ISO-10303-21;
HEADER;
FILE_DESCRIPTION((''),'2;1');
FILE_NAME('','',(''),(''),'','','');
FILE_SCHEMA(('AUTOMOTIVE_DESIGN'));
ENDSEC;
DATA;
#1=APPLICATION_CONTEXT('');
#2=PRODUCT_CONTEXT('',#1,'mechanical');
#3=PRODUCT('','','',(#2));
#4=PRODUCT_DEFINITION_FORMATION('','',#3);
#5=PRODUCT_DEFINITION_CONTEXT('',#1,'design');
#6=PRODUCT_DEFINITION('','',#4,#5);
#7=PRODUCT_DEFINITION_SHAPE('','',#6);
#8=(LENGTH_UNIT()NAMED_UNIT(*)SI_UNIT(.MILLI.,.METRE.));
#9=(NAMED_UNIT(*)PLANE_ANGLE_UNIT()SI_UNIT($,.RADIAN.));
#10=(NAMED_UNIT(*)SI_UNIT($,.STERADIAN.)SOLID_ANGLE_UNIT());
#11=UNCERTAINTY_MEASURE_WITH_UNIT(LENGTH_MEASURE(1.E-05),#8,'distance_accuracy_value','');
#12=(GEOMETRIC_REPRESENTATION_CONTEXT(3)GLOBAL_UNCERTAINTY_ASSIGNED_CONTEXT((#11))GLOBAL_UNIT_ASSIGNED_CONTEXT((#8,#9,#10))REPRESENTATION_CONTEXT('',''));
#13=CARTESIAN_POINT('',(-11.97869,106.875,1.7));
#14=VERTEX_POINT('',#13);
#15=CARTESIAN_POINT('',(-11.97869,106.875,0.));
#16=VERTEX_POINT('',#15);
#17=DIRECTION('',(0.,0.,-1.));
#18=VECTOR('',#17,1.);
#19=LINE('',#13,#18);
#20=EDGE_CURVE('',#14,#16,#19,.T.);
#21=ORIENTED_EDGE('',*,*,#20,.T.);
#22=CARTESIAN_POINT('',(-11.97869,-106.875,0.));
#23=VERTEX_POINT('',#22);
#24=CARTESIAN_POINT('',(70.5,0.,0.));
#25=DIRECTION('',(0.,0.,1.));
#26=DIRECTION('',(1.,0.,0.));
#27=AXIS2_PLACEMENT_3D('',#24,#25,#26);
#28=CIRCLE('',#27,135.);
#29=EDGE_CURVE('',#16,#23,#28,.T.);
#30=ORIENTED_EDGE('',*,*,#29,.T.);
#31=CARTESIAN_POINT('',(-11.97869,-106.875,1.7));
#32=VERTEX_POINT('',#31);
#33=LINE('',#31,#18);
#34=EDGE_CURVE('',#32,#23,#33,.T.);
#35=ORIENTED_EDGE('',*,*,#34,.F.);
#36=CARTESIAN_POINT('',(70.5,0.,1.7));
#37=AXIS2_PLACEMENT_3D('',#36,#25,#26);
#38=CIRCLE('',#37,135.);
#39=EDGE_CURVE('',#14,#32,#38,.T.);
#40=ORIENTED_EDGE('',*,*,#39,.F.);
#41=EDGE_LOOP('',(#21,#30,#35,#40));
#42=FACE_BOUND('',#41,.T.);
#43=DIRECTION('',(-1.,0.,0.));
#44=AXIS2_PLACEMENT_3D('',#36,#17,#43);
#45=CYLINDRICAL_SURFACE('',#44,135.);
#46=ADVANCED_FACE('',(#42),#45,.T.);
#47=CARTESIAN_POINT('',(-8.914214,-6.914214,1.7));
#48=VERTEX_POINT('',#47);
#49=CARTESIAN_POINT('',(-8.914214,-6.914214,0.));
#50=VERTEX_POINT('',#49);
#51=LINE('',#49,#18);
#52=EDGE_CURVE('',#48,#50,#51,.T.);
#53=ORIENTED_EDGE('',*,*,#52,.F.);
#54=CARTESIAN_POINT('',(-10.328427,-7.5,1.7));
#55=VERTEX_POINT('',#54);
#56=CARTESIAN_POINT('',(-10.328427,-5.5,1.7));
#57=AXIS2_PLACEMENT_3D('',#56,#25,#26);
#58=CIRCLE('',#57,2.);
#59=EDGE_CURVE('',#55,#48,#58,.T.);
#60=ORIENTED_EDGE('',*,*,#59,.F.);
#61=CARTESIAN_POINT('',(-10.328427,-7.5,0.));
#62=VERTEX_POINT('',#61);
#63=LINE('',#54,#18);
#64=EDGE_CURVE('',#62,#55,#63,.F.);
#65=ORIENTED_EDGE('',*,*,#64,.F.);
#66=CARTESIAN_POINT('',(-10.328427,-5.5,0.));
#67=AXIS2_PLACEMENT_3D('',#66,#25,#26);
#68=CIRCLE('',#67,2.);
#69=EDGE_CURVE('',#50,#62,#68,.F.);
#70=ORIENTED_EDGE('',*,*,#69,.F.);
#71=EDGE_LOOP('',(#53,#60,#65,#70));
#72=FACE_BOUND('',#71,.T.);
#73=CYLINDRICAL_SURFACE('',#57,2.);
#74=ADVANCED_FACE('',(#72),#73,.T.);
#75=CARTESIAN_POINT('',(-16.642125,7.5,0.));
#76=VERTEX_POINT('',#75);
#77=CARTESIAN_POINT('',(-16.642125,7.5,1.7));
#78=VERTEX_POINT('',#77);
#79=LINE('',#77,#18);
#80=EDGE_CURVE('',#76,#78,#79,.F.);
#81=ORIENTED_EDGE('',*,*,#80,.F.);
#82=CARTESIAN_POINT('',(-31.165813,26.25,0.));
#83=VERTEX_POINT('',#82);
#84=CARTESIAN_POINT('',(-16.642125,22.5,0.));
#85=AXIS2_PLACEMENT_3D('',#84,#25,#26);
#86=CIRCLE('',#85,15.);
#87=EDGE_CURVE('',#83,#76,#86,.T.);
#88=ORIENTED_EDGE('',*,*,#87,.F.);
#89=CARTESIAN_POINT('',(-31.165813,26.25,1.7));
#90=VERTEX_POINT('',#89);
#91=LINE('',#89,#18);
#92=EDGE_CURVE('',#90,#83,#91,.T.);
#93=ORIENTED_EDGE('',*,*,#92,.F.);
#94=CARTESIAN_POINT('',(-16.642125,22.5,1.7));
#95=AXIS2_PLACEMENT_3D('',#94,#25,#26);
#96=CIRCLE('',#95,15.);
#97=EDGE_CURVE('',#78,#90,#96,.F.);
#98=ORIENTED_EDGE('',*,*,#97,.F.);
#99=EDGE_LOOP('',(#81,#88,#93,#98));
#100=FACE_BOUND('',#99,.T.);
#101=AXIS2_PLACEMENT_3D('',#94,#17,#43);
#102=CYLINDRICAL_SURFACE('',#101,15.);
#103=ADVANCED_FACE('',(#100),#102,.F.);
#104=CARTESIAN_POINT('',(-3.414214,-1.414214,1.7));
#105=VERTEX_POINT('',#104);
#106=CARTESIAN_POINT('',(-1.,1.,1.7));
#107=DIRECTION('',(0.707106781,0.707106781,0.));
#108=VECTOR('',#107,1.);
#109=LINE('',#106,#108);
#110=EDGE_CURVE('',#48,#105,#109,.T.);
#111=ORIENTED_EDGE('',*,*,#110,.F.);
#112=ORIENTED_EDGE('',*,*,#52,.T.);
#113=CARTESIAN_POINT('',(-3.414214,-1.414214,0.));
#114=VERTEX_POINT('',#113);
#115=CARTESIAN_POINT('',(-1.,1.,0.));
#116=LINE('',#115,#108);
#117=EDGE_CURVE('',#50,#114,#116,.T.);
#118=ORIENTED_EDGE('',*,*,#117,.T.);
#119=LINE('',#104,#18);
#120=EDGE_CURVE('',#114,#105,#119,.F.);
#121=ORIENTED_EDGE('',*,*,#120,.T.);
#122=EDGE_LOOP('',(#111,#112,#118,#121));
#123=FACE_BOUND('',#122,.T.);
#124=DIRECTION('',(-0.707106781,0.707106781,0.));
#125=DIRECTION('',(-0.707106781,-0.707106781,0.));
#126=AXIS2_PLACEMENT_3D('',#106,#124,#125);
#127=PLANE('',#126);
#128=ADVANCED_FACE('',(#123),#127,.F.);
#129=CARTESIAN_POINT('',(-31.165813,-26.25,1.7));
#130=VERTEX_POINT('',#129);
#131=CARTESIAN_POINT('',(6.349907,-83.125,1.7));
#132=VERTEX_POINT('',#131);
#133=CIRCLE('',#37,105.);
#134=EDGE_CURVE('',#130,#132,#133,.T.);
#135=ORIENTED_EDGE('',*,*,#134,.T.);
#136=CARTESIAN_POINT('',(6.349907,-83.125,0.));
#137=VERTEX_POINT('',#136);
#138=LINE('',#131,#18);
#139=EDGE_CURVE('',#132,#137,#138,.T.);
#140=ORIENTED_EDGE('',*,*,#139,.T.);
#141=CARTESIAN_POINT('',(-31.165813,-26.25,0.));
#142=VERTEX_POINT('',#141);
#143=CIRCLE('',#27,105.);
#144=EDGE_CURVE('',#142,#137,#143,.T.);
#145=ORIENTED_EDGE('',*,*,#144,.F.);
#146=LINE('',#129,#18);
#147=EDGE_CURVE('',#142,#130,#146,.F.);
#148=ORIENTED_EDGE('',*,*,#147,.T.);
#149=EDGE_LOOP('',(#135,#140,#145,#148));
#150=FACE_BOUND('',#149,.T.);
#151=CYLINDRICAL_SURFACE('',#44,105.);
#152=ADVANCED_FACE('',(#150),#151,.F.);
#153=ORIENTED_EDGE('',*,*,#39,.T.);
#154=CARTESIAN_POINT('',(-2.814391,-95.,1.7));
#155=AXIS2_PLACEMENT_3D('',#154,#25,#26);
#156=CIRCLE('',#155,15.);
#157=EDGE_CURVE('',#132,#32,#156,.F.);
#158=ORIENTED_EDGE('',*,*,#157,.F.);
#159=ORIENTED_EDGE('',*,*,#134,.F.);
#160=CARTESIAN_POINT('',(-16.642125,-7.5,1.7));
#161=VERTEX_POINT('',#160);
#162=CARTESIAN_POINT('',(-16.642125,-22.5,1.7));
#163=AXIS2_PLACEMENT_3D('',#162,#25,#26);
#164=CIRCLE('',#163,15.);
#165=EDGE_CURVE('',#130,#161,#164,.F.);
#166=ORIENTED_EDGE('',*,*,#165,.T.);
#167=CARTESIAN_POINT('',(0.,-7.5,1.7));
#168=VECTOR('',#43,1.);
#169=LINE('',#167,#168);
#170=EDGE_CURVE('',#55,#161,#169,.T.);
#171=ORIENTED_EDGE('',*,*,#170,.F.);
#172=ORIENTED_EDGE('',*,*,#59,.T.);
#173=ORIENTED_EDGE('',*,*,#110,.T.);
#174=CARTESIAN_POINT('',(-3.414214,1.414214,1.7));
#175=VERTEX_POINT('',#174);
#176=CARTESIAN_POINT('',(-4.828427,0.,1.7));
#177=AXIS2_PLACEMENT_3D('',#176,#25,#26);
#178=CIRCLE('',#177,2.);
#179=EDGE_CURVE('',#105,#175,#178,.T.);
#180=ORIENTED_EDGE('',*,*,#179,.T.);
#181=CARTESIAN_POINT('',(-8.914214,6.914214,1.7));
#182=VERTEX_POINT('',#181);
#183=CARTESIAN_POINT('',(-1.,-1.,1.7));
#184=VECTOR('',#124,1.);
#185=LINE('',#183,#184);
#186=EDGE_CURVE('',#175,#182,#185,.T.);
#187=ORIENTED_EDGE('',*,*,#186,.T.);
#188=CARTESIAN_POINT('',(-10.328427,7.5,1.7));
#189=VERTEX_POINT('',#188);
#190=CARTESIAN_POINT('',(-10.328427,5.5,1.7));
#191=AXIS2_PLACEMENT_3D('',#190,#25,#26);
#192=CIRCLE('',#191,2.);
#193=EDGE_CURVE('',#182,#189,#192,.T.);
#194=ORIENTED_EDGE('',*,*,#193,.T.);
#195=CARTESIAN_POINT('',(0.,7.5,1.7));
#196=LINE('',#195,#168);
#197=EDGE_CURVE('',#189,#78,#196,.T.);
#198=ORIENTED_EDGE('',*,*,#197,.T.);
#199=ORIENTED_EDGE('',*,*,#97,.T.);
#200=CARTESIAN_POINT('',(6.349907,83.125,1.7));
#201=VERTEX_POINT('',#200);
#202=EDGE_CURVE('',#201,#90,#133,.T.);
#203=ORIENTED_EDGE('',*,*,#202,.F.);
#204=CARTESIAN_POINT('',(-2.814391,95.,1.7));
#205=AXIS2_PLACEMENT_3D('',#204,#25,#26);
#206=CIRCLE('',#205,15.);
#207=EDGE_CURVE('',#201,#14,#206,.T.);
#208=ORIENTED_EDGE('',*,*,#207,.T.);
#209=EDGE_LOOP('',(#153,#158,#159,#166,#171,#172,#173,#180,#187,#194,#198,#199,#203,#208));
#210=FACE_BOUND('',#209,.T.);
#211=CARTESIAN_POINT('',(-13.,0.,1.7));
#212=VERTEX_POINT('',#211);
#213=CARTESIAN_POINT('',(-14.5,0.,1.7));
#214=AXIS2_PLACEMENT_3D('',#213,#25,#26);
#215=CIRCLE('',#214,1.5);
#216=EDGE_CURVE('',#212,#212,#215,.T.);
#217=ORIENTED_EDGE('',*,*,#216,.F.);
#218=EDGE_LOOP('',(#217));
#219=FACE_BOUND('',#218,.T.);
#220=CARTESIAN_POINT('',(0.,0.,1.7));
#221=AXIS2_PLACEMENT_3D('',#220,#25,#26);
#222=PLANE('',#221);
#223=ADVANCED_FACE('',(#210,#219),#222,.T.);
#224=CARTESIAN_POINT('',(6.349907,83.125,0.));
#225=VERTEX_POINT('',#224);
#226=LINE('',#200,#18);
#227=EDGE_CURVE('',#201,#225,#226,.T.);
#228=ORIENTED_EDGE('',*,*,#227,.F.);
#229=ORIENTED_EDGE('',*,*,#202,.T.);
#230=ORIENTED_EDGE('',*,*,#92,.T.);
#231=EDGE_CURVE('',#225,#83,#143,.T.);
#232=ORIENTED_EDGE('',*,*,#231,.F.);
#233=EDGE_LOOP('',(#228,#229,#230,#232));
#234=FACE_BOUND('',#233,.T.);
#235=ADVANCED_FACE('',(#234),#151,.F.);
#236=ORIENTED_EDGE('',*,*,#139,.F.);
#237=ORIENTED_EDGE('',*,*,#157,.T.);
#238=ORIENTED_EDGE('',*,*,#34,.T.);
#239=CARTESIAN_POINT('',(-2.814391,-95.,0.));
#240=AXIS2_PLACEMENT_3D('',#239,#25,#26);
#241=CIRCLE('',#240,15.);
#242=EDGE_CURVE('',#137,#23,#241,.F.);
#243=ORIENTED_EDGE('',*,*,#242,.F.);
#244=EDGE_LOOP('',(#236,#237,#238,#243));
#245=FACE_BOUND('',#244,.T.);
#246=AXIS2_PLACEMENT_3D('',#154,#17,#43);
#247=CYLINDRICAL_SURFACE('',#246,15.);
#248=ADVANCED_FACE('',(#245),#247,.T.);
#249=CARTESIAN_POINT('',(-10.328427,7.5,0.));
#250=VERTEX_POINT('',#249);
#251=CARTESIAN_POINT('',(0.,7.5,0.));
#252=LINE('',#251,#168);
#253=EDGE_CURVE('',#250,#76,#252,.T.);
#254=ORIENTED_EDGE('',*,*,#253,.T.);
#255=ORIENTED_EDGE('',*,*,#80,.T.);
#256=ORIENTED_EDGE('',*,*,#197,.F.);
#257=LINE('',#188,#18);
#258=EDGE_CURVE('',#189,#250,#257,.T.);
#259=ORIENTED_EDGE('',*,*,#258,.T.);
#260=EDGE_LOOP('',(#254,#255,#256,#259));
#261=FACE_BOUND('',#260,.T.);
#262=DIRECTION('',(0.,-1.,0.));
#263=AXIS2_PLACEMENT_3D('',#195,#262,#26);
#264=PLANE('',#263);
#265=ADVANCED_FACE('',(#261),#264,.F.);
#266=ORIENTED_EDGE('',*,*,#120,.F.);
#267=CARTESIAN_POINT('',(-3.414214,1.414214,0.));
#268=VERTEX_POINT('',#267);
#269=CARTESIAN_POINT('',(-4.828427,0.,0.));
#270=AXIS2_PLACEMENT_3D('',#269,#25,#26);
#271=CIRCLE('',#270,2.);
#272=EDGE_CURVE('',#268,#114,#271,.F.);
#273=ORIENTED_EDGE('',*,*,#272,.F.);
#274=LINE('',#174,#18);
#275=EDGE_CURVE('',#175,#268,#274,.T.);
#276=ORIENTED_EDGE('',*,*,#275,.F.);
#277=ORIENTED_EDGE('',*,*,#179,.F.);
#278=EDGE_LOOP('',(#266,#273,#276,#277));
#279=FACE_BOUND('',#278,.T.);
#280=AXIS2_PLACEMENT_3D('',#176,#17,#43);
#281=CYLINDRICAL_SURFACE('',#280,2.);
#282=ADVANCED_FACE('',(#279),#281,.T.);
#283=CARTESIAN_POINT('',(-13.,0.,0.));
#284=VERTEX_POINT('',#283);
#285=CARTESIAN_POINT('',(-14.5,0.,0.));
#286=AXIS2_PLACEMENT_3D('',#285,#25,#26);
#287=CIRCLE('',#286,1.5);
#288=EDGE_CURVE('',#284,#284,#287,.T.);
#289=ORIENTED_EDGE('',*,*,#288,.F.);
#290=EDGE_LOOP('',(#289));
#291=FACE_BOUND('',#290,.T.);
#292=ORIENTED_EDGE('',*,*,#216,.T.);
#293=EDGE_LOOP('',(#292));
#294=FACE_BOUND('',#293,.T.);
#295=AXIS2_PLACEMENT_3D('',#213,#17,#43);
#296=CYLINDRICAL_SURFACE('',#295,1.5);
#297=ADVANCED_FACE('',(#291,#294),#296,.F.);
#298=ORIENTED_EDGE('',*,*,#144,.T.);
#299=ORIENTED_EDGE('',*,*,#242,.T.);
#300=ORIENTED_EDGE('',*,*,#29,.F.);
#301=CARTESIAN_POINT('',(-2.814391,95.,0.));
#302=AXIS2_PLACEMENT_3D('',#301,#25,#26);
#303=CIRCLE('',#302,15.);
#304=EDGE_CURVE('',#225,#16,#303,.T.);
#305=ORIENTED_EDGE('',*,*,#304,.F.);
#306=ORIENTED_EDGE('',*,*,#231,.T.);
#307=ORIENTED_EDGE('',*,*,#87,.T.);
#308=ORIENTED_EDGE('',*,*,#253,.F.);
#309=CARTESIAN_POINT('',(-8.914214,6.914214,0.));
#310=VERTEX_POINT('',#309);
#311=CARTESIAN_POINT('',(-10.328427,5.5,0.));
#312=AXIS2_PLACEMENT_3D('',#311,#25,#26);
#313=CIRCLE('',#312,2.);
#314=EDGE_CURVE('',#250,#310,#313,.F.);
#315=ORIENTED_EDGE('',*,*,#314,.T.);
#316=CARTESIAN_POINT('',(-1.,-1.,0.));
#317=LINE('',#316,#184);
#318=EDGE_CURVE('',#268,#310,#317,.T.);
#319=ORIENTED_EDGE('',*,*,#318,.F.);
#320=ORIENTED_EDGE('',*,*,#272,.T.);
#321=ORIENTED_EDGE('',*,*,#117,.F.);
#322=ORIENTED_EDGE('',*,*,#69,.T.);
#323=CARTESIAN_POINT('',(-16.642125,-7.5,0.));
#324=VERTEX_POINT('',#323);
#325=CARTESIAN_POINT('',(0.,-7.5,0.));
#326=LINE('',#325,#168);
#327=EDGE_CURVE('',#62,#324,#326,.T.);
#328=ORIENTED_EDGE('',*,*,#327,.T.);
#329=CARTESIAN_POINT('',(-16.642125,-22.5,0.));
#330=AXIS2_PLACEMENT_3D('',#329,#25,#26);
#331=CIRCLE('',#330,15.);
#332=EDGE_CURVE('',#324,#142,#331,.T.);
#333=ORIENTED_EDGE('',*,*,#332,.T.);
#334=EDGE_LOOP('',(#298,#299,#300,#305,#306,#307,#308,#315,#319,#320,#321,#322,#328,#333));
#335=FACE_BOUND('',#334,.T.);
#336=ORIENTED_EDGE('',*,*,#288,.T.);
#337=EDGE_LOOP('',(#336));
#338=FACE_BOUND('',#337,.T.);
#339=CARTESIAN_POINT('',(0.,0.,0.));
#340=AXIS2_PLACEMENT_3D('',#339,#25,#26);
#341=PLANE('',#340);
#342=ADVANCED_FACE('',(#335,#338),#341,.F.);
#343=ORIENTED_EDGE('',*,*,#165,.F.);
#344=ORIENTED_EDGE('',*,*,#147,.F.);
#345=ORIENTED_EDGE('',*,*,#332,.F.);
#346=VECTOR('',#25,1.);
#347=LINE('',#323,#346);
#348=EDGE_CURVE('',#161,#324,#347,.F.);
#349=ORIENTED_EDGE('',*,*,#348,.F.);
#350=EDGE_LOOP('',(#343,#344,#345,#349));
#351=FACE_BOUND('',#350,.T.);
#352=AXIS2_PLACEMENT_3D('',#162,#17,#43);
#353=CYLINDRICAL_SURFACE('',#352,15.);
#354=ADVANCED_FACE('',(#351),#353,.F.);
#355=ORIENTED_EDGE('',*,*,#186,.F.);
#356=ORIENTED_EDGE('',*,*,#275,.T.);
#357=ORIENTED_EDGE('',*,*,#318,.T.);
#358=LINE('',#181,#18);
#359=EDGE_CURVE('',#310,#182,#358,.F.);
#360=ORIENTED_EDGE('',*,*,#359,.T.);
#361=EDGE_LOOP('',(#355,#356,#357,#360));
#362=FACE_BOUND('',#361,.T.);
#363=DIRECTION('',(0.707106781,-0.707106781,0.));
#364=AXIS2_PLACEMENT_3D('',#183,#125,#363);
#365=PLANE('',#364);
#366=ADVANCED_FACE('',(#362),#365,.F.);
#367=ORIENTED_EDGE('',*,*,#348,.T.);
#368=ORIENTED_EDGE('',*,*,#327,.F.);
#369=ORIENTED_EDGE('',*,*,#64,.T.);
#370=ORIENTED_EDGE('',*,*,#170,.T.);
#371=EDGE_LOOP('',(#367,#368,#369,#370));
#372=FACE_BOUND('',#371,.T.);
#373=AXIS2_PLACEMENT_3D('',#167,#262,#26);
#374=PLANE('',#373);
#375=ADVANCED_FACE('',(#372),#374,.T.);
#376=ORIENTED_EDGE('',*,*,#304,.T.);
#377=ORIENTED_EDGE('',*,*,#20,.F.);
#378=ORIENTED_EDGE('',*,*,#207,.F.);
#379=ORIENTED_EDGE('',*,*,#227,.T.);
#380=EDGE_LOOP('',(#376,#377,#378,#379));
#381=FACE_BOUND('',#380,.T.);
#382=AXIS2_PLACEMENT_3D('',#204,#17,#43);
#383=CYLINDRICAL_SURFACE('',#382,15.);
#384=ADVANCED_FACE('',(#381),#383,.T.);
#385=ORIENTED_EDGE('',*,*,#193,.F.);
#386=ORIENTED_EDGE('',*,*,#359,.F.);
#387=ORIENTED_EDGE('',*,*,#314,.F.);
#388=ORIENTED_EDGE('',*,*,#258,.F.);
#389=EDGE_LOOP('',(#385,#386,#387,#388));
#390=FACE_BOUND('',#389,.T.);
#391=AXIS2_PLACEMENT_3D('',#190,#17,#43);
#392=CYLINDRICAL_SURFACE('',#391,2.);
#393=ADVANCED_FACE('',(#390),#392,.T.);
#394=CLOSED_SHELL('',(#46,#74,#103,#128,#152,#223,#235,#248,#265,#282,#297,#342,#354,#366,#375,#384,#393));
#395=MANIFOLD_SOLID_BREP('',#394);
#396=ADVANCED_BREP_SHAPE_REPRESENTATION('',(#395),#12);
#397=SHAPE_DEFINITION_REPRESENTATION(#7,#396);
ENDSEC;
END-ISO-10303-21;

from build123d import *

# Parameters (mm, degrees)
SKETCH1_R           = 1.5
BOSS_EXTRUDE1_DEPTH = 1.7
FILLET1_R           = 15
FILLET2_R           = 2


with BuildPart() as part:
    # Sketch1 → Boss-Extrude1 (new body)
    with BuildSketch(Plane.XY):
        with BuildLine():
            ThreePointArc((-11.978690547, -106.87499991), (9.060608653, -104.164298748), (6.349906949, -83.124999619))
            ThreePointArc((6.349906949, -83.124999619), (-22.020584843, -49.648176002), (-34.231800328, -7.5))
            Line((-34.231800328, -7.5), (-9.5, -7.5))
            Line((-9.5, -7.5), (-2, 0))
            Line((-2, 0), (-9.5, 7.5))
            Line((-9.5, 7.5), (-34.231800328, 7.5))
            ThreePointArc((-34.231800328, 7.5), (-22.020584884, 49.648175925), (6.349906811, 83.124999512))
            ThreePointArc((6.349906811, 83.124999512), (9.060608694, 104.164298694), (-11.978690577, 106.874999887))
            ThreePointArc((-11.978690577, 106.874999887), (-64.5, -1.9e-08), (-11.978690547, -106.87499991))
        make_face()
        with Locations((-14.5, 0)):
            Circle(SKETCH1_R, mode=Mode.SUBTRACT)
    extrude(amount=BOSS_EXTRUDE1_DEPTH)

    # Fillet1
    fillet1_edges = [part.edges().sort_by_distance(p)[0] for p in [
        (-34.231800328, -7.5, 0.85),
        (-34.231800328, 7.5, 0.85),
    ]]
    fillet(fillet1_edges, radius=FILLET1_R)

    # Fillet2
    fillet2_edges = [part.edges().sort_by_distance(p)[0] for p in [
        (-9.5, 7.5, 0.85),
        (-2, 0, 0.85),
        (-9.5, -7.5, 0.85),
    ]]
    fillet(fillet2_edges, radius=FILLET2_R)


solid = part.part
